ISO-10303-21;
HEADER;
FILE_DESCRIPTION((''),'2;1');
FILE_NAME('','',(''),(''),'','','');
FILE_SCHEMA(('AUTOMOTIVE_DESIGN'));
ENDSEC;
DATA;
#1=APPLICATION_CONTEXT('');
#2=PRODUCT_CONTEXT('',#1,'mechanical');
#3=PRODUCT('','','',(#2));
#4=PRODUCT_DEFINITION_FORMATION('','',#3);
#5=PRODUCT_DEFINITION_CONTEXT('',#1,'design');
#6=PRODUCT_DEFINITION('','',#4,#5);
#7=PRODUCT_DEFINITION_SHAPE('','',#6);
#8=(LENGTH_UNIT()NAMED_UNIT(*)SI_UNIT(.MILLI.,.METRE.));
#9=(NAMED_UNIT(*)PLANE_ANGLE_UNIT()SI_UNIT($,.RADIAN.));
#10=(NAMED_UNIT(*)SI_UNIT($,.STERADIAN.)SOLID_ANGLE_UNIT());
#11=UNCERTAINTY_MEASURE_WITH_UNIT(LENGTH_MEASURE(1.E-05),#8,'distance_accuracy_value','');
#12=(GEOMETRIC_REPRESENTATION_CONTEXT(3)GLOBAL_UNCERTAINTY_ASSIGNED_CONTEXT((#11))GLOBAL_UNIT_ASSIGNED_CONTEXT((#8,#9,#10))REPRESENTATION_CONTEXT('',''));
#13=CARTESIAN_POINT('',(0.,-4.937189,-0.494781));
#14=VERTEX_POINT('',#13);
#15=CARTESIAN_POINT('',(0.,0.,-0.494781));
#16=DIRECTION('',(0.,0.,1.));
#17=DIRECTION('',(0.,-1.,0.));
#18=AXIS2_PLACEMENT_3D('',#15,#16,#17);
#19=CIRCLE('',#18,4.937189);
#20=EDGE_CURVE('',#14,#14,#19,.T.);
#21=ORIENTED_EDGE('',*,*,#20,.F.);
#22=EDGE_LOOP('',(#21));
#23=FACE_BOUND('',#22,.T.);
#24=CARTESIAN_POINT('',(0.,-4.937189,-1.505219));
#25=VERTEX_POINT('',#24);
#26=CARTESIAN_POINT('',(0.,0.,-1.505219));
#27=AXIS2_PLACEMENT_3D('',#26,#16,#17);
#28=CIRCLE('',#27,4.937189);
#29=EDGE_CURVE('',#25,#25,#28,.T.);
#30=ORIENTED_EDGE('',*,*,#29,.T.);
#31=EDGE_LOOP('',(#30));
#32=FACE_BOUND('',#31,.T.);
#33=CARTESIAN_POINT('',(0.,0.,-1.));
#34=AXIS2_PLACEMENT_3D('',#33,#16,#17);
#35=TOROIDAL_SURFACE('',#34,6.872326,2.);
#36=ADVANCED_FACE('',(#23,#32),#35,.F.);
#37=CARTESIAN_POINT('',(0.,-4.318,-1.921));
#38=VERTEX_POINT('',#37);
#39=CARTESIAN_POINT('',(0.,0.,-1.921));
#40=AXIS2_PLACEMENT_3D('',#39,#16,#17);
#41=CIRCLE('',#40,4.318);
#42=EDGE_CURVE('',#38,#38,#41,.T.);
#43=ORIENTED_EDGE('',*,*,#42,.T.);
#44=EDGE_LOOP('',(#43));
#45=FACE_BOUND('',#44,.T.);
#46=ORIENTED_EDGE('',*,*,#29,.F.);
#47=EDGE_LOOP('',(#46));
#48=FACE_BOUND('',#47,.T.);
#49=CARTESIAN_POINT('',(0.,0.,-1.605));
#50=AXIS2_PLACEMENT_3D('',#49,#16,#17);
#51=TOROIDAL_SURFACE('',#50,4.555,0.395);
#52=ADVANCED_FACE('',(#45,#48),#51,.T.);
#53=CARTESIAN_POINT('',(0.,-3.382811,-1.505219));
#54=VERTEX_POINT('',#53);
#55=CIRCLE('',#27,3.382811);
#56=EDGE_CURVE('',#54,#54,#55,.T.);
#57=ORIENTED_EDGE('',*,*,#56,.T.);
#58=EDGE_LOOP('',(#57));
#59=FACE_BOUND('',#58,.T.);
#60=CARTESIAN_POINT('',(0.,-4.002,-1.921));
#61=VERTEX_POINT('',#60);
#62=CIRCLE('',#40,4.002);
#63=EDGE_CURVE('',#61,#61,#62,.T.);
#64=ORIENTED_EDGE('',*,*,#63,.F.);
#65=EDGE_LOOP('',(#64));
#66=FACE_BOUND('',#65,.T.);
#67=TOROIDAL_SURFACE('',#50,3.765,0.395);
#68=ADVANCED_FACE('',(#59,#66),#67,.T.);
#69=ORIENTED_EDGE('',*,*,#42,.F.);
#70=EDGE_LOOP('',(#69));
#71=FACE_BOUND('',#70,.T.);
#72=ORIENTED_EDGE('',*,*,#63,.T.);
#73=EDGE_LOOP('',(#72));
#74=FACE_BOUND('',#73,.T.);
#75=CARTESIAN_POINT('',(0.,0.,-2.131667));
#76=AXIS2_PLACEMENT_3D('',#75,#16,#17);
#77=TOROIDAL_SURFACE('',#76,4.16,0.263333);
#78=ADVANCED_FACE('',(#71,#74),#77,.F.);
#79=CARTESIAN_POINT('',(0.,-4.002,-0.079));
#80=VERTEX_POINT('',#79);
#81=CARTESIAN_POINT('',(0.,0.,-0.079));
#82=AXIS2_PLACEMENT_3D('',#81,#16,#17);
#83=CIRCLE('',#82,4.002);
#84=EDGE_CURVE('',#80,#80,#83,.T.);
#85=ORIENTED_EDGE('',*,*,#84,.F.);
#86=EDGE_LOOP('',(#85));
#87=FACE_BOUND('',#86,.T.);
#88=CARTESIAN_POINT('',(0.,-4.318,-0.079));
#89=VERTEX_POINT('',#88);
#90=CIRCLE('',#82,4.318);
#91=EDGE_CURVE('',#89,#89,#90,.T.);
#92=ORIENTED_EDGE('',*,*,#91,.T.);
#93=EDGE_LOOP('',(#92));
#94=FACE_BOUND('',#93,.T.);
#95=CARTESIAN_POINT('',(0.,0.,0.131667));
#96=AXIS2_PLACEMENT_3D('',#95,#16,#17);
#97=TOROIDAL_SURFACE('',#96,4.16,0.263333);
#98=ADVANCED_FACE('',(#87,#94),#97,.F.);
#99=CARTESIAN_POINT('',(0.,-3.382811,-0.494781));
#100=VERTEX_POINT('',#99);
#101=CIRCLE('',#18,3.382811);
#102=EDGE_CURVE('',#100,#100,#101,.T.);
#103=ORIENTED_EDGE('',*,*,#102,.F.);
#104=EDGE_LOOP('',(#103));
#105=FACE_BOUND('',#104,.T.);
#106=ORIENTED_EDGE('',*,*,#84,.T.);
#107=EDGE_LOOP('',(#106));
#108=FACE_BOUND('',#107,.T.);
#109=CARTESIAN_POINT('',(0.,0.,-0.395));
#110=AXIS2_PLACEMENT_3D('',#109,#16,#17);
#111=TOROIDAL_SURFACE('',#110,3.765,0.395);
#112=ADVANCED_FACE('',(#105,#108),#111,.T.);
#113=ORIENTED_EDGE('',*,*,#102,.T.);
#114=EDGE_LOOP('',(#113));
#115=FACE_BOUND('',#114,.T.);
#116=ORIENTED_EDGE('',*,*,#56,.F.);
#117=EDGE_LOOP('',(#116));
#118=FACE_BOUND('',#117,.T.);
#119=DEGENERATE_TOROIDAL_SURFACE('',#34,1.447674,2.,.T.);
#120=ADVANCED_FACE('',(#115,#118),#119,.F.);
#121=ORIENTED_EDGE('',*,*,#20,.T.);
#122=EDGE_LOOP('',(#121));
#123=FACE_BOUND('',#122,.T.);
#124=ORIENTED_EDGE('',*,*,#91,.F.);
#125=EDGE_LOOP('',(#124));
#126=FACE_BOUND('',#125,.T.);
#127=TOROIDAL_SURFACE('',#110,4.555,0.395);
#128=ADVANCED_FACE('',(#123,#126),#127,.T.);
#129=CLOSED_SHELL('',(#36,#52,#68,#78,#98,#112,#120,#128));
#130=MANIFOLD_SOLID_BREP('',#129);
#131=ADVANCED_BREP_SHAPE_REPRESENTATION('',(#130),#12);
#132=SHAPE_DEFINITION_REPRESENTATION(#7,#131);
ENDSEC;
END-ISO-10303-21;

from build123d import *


with BuildPart() as part:
    # Esquisse1 → Base-Révolution (revolve)
    with BuildSketch(Plane(origin=(0, 0, 0), x_dir=(0, 0, -1), z_dir=(1, 0, 0))):
        with BuildLine():
            ThreePointArc((0.494780793, 4.937189473), (0.067072284, 4.775200846), (0.079, 4.318))
            ThreePointArc((0.079, 4.318), (0.131666667, 4.16), (0.079, 4.002))
            ThreePointArc((0.079, 4.002), (0.067072284, 3.544799154), (0.494780793, 3.382810527))
            ThreePointArc((0.494780793, 3.382810527), (1, 3.447673955), (1.505219207, 3.382810527))
            ThreePointArc((1.505219207, 3.382810527), (1.932927716, 3.544799154), (1.921, 4.002))
            ThreePointArc((1.921, 4.002), (1.868333333, 4.16), (1.921, 4.318))
            ThreePointArc((1.921, 4.318), (1.932927716, 4.775200846), (1.505219207, 4.937189473))
            ThreePointArc((1.505219207, 4.937189473), (1, 4.872326045), (0.494780793, 4.937189473))
        make_face()
    revolve(axis=Axis((0, 0, 0), (0, 0, -1)))


solid = part.part
